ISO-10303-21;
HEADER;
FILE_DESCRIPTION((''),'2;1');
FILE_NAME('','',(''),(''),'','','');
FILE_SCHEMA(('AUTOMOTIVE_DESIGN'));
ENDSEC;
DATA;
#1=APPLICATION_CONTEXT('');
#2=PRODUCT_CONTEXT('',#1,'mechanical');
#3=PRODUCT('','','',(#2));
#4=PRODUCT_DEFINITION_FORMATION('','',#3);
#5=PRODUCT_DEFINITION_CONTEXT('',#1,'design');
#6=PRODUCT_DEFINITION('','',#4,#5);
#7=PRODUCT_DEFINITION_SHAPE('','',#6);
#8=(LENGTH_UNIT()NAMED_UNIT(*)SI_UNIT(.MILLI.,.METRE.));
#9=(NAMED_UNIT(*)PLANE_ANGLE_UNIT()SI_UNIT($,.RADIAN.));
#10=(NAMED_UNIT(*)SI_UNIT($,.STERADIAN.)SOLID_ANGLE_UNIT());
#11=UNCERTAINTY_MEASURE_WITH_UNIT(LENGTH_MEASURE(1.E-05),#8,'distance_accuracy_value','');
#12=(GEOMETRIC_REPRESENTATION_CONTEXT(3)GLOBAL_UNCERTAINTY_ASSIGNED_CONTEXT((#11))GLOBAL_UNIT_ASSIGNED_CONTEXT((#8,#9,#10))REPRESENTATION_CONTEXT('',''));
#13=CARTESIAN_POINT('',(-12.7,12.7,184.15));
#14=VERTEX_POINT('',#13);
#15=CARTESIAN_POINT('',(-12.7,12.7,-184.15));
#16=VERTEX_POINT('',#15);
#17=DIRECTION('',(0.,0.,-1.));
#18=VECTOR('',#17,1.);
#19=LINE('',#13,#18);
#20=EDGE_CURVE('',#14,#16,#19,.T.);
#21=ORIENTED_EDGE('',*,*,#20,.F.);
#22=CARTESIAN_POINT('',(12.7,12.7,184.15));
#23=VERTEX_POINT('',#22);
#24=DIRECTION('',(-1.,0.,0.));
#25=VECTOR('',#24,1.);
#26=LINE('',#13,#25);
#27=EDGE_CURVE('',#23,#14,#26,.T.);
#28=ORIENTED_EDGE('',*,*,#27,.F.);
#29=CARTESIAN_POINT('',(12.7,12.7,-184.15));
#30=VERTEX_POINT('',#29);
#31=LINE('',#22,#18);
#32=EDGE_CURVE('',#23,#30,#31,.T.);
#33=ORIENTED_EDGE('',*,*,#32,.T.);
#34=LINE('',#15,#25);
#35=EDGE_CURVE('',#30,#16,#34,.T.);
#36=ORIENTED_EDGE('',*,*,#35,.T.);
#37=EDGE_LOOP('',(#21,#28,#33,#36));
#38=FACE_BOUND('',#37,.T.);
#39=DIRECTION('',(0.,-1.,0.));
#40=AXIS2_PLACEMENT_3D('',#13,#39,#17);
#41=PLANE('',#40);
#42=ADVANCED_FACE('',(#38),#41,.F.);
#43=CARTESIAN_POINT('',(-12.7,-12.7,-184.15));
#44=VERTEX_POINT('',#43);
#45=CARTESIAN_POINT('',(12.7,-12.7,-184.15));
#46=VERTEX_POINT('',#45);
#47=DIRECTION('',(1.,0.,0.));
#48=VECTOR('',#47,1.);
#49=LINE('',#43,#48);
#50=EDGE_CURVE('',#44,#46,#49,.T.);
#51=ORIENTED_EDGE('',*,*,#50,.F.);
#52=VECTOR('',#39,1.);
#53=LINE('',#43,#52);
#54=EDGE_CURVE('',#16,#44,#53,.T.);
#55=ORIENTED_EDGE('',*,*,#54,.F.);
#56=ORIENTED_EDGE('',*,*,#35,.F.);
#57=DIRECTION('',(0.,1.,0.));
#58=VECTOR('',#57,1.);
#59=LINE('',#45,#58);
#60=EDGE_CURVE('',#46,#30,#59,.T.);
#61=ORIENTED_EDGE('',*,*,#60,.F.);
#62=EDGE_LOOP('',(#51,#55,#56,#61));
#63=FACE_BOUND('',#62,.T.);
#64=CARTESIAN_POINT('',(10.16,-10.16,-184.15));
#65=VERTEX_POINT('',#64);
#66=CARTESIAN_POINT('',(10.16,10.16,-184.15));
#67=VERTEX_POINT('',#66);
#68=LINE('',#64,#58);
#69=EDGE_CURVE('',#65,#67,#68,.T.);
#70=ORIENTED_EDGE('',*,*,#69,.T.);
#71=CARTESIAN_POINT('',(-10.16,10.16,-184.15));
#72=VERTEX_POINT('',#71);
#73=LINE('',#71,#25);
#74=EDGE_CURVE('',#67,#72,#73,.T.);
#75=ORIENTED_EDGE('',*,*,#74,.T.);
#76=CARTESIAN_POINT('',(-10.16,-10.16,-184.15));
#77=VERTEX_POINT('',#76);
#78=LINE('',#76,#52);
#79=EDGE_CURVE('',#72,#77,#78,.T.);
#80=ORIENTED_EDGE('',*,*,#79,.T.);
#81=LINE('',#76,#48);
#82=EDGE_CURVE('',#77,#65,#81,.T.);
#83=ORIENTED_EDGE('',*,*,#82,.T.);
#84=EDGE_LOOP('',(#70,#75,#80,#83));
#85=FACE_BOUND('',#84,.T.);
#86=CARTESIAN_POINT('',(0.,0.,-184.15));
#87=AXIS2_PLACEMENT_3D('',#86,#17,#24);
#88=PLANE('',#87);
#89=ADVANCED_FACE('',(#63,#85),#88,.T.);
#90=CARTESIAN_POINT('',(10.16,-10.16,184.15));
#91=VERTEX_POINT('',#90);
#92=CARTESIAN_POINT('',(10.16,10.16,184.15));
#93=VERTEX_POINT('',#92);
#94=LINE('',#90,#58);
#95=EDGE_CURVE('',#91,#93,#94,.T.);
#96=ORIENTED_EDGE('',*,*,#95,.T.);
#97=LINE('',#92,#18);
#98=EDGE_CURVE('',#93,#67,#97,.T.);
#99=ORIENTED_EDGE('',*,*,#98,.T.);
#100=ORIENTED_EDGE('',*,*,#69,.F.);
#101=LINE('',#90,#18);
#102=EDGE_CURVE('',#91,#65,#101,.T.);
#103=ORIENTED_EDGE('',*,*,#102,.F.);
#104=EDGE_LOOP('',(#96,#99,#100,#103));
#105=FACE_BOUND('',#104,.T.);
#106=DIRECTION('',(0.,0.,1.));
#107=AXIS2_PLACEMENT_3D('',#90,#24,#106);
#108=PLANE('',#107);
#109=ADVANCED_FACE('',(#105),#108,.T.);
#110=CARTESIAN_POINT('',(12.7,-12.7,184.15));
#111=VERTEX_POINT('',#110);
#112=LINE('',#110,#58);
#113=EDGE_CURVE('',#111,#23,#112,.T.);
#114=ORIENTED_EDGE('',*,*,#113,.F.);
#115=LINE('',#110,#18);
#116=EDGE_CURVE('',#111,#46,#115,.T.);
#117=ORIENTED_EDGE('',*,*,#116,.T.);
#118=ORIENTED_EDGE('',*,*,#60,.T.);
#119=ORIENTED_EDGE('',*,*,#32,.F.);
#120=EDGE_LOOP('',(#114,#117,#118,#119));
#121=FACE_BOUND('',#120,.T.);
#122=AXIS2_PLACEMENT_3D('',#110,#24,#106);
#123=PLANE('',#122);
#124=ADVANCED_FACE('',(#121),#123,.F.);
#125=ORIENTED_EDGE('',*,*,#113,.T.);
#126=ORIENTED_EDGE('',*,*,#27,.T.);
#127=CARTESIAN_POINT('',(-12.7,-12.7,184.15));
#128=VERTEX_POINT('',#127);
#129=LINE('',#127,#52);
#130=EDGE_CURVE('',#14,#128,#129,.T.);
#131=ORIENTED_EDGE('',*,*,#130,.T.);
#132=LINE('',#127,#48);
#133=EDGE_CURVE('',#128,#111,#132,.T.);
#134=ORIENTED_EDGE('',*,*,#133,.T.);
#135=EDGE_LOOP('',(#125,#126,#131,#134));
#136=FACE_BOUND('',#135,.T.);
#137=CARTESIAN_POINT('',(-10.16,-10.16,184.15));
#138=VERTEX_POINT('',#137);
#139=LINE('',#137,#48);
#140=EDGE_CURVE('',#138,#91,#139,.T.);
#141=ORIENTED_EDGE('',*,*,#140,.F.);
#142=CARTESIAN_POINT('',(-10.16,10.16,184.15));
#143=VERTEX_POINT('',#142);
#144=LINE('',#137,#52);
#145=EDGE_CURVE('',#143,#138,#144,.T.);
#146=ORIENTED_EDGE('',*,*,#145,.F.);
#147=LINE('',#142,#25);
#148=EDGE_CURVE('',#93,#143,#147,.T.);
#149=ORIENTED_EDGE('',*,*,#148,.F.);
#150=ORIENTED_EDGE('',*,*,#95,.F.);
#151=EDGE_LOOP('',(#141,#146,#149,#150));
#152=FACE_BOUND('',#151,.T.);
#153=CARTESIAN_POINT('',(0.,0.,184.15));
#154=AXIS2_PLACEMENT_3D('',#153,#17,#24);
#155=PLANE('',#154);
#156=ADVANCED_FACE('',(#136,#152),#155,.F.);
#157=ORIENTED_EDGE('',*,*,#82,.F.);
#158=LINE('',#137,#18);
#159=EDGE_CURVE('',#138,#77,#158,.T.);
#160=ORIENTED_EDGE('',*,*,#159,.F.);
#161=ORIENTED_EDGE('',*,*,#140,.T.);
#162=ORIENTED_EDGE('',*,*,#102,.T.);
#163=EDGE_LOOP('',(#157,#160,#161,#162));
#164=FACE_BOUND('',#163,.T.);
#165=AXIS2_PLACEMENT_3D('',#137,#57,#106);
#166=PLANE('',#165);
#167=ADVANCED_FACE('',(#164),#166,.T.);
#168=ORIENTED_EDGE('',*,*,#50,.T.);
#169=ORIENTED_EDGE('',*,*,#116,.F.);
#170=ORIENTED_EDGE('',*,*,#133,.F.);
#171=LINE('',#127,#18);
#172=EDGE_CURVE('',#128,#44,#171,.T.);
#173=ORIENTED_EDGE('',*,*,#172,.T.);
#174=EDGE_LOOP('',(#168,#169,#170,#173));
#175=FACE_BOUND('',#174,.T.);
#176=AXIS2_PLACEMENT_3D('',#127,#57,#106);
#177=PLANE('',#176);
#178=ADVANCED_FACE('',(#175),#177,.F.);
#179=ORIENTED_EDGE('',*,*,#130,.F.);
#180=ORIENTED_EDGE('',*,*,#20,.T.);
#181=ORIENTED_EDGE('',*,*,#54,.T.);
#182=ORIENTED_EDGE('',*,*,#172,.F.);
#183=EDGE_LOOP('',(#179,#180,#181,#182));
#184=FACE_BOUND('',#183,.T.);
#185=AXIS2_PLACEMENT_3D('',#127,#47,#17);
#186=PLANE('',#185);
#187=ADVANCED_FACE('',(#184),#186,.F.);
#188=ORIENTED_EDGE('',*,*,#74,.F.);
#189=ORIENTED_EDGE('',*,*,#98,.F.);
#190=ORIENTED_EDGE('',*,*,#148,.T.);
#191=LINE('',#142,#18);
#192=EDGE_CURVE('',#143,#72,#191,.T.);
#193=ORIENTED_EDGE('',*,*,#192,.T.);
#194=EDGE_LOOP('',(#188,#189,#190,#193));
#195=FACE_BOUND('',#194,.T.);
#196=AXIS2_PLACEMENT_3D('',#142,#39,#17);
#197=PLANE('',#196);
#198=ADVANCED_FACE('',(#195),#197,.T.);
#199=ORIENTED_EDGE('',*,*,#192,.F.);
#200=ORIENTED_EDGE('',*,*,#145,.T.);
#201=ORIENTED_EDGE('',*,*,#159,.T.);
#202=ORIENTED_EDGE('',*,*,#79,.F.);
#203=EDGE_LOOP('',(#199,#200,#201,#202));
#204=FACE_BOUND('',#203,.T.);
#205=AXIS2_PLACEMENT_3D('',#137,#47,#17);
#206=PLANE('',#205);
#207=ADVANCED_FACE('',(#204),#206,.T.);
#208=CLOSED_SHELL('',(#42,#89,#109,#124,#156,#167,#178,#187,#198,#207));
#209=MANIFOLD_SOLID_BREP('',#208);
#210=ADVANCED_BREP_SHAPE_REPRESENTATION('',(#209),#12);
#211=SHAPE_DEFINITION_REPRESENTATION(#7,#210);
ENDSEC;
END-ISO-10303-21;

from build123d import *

# Parameters (mm, degrees)
SKETCH1_W           = 25.4
SKETCH1_H           = 25.4
SKETCH1_W_2         = 20.32
SKETCH1_H_2         = 20.32
BOSS_EXTRUDE1_DEPTH = 184.15


with BuildPart() as part:
    # Sketch1 → Boss-Extrude1 (new, symmetric)
    with BuildSketch(Plane.XY):
        Rectangle(SKETCH1_W, SKETCH1_H)
        Rectangle(SKETCH1_W_2, SKETCH1_H_2, mode=Mode.SUBTRACT)
    extrude(amount=BOSS_EXTRUDE1_DEPTH, both=True)


solid = part.part
